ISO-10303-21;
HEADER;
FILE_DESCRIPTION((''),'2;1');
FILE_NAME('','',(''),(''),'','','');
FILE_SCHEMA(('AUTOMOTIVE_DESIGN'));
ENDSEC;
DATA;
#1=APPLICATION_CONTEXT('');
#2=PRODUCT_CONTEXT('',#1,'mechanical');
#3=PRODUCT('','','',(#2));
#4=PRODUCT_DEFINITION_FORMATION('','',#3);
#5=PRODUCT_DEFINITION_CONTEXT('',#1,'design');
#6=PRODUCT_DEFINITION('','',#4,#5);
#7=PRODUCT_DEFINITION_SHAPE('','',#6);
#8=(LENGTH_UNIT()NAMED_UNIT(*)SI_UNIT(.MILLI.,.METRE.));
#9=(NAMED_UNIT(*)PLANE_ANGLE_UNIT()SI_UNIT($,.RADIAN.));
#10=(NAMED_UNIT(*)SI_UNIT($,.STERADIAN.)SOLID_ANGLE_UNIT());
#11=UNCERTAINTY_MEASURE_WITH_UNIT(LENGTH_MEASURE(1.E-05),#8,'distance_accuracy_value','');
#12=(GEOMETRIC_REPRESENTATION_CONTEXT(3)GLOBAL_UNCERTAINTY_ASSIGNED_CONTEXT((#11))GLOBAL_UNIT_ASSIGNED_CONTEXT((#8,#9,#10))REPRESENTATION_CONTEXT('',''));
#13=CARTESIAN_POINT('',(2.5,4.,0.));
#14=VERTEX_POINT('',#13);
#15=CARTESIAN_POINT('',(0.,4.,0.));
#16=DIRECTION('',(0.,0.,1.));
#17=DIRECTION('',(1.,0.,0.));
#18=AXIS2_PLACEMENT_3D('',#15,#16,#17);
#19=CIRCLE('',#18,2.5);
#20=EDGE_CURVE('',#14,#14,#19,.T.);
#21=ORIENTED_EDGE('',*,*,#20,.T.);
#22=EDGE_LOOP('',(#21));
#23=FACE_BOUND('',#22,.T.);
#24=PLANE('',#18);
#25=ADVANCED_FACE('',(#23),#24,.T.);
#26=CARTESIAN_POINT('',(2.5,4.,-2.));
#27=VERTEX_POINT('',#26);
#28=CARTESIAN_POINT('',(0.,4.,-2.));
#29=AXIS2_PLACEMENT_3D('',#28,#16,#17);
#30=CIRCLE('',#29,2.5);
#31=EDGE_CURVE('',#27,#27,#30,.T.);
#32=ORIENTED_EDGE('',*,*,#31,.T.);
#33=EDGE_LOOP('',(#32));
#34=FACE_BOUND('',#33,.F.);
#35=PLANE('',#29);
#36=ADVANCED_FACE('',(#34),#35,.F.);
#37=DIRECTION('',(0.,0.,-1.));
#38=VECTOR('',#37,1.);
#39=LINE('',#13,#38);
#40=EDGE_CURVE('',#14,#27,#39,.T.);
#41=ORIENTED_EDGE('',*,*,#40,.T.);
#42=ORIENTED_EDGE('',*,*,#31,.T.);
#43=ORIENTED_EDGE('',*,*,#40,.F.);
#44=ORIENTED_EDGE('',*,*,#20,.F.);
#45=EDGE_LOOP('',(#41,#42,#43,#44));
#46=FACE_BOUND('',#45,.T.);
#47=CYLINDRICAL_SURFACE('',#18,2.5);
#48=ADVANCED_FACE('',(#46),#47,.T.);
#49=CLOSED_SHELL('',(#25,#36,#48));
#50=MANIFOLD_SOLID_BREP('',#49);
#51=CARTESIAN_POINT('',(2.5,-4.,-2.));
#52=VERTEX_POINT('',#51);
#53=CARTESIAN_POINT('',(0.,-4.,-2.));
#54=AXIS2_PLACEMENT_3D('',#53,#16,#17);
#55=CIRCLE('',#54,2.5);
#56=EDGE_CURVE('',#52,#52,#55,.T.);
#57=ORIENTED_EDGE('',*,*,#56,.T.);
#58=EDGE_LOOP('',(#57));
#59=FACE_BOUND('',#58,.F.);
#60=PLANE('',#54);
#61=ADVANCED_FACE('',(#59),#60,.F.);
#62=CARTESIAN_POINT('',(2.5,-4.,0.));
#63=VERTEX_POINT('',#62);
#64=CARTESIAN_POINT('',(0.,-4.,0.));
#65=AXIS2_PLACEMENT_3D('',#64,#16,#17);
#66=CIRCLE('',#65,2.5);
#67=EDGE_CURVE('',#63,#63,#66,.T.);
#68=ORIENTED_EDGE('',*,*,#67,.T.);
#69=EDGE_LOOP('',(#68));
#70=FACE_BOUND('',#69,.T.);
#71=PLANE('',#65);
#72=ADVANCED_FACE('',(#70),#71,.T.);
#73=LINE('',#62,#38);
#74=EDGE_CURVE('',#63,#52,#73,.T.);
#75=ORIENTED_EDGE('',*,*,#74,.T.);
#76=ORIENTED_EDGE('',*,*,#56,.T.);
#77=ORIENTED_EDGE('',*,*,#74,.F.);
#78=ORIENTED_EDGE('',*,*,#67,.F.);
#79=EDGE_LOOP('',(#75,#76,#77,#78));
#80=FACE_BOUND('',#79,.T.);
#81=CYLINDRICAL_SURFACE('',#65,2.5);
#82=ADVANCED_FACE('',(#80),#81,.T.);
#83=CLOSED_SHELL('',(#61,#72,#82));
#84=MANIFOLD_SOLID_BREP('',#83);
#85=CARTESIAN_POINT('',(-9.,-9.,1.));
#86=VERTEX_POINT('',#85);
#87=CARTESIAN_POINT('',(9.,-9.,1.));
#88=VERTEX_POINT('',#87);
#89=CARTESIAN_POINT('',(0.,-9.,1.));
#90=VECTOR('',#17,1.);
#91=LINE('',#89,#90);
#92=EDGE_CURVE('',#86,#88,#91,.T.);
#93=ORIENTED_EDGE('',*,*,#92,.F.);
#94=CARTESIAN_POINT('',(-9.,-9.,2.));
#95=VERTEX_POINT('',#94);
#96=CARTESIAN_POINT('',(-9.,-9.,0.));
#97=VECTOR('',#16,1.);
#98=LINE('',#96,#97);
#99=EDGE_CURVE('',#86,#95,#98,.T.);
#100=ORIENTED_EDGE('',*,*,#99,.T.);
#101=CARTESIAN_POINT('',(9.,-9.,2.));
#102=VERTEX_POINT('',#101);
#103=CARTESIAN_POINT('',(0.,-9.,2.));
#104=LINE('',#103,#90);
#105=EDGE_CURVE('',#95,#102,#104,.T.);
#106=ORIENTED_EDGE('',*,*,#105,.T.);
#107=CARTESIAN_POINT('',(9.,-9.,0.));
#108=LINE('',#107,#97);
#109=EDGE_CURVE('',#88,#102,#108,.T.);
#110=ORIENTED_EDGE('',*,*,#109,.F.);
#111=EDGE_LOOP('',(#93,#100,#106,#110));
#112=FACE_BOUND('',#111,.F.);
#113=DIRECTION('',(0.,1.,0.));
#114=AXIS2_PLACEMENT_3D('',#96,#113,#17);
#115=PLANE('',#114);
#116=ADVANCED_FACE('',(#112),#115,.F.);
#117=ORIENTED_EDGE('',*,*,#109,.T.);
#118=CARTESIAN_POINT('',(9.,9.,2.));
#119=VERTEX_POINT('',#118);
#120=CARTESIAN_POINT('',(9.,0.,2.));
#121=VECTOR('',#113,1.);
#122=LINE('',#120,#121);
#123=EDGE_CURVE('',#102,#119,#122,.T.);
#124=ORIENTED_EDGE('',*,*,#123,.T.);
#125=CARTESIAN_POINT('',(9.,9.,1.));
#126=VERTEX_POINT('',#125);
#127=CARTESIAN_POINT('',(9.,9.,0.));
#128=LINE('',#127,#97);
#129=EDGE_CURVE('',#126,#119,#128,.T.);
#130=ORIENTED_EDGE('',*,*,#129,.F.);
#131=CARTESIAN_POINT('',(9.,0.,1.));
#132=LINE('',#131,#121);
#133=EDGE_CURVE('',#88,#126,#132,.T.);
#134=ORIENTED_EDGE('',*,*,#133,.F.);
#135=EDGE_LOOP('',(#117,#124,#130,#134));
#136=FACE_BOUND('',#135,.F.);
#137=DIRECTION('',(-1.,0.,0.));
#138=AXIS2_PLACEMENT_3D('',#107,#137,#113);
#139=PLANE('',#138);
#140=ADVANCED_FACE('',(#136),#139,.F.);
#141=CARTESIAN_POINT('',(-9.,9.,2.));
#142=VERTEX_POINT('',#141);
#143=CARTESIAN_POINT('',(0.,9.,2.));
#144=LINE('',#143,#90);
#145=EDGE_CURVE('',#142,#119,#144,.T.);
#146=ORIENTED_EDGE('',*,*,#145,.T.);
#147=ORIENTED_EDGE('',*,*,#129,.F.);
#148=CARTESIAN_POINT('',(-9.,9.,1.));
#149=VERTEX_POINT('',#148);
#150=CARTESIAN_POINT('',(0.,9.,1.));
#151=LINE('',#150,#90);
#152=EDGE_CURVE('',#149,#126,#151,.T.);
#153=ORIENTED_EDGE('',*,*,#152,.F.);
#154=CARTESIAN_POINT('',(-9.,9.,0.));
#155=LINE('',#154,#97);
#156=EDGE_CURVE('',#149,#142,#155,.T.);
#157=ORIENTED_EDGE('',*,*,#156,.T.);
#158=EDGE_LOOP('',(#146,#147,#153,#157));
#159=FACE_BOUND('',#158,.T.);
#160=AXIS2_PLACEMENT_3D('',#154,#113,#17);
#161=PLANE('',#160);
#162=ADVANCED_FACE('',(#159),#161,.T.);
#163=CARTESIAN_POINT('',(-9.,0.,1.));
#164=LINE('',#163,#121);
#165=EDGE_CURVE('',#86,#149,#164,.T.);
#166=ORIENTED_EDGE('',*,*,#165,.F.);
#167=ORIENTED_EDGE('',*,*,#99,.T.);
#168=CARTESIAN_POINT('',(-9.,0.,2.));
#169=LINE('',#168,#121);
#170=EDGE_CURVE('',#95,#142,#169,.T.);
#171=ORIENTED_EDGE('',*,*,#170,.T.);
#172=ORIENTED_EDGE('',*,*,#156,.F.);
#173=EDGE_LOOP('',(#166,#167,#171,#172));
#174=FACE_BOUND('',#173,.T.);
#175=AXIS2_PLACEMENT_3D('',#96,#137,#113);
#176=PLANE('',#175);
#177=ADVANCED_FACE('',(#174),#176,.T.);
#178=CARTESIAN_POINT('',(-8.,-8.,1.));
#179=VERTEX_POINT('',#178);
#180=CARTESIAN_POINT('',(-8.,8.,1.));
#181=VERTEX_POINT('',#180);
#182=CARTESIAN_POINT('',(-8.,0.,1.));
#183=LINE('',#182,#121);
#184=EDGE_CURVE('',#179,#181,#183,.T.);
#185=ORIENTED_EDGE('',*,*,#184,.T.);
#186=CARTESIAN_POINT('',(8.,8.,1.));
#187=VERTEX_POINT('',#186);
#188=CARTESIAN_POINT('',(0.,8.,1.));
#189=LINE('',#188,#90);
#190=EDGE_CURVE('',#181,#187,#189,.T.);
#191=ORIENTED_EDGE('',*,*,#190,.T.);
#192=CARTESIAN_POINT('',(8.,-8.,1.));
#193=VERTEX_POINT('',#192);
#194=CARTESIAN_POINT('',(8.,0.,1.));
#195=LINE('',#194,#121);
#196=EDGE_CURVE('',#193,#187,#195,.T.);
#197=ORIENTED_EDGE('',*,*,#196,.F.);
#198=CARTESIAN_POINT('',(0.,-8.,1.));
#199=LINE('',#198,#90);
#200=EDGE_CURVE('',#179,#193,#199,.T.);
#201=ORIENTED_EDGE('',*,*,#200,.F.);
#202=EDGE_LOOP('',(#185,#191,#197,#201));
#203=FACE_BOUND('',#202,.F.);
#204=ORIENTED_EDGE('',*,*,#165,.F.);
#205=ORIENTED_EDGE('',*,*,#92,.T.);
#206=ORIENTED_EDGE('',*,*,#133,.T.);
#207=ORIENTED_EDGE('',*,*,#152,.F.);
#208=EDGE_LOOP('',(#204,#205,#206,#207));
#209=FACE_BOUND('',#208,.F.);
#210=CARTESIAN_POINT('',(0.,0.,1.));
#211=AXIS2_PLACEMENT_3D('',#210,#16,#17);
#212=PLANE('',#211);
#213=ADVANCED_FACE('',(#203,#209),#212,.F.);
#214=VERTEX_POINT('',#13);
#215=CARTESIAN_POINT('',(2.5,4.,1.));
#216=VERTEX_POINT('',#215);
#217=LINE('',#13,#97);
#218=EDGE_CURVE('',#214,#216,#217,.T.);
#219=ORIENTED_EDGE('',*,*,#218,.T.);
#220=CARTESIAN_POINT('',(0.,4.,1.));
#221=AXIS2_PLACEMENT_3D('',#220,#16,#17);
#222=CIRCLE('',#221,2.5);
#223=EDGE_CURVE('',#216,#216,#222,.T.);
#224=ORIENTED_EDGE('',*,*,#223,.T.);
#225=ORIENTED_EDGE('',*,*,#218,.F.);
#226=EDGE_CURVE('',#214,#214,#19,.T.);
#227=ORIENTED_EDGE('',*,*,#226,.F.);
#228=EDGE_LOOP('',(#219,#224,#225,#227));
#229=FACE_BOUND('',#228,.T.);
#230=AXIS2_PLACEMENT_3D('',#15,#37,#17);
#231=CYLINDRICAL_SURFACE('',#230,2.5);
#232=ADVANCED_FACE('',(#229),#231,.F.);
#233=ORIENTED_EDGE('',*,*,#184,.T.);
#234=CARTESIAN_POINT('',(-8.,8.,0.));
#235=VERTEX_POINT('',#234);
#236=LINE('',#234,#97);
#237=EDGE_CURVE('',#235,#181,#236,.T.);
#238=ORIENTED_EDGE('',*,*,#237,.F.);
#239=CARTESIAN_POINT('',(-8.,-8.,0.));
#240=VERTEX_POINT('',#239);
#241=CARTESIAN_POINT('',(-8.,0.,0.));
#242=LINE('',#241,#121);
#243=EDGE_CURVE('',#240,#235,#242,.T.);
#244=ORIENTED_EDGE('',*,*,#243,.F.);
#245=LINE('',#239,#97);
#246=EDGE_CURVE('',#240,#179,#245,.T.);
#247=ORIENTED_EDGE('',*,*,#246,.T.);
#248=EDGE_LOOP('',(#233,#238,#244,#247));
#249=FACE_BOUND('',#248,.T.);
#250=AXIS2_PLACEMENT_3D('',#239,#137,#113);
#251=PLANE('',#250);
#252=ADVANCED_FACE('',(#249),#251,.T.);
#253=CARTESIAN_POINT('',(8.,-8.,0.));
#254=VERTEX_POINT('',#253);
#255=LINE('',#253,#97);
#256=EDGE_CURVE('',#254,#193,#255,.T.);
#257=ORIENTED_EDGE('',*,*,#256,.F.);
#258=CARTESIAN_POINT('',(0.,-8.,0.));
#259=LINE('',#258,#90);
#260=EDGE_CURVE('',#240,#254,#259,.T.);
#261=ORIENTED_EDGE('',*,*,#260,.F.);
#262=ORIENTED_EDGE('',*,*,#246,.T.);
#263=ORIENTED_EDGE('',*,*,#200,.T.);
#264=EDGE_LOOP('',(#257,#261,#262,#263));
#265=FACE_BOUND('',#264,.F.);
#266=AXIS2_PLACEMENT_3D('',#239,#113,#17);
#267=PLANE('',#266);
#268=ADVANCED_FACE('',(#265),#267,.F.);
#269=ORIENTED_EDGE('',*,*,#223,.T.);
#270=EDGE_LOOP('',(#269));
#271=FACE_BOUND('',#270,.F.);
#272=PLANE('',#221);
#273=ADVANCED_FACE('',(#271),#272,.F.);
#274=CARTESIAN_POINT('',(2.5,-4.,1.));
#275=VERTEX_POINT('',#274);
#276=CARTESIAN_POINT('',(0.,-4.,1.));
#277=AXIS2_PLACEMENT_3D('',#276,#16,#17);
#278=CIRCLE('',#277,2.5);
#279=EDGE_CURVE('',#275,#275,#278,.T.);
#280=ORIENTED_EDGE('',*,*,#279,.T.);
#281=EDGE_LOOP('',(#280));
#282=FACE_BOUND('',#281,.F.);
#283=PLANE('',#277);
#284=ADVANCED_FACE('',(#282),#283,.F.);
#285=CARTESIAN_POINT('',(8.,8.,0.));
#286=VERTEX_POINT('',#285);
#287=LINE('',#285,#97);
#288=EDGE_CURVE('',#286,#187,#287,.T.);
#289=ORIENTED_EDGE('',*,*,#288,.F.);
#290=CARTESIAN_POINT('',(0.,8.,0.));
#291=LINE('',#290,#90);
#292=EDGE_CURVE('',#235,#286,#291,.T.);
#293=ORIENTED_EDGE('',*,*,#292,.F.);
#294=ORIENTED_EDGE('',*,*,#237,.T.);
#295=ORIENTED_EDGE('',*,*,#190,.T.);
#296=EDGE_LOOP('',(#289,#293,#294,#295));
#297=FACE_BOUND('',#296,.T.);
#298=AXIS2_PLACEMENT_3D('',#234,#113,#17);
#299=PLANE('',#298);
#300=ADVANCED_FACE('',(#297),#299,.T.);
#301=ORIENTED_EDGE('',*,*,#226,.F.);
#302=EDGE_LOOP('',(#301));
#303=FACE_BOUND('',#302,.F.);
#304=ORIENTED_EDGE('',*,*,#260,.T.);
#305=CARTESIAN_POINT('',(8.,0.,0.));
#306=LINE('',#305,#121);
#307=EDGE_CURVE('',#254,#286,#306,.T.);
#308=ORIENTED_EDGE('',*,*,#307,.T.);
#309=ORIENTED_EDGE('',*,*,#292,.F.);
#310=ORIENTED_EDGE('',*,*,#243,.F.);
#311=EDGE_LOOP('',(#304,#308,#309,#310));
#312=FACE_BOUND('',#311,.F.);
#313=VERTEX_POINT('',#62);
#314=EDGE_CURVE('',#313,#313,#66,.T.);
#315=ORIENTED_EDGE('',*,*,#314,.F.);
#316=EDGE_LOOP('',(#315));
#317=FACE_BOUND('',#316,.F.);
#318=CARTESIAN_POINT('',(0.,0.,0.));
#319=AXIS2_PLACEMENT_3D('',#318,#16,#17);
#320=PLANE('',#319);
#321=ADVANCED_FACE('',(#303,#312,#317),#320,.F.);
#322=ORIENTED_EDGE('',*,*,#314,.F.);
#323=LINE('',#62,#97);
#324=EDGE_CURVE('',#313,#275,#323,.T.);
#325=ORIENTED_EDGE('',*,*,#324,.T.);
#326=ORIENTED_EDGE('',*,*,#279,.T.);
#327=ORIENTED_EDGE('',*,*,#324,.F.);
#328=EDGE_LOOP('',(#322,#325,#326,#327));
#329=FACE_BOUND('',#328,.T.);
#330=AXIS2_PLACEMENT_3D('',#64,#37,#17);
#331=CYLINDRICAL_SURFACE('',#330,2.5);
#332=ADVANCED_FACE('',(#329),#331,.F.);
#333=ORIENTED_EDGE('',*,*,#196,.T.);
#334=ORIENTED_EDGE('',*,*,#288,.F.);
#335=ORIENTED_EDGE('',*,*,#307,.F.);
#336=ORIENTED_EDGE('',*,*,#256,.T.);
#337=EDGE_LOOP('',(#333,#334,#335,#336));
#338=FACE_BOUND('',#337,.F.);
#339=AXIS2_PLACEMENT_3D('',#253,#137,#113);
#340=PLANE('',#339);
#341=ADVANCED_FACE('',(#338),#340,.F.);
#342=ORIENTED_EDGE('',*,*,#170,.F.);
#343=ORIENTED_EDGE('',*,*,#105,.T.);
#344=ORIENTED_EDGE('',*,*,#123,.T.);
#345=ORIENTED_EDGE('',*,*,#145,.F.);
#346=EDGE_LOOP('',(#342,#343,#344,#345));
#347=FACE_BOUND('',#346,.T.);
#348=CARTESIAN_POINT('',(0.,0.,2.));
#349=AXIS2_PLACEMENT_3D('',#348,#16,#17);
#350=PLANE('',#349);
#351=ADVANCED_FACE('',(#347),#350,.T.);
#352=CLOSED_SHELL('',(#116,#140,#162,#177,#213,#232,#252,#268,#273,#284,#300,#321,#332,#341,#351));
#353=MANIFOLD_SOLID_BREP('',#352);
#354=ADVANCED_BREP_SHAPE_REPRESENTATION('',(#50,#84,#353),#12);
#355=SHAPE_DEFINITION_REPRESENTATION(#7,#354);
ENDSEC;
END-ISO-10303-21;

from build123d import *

# Parameters (mm, degrees)
F0_W     = 18
F0_H     = 18
F0_W_2   = 16
F0_H_2   = 16
F0_R     = 2.5
F1_DEPTH = 2
F2_DEPTH = 1
F3_DEPTH = 1
F4_DEPTH = 2


with BuildPart() as f1:
    # F0 (on Top) → F1 (new body)
    with BuildSketch(Plane.XY):
        Rectangle(F0_W, F0_H)
        Rectangle(F0_W_2, F0_H_2, mode=Mode.SUBTRACT)
        Rectangle(F0_W_2, F0_H_2)
        with Locations((0, -4)):
            Circle(F0_R, mode=Mode.SUBTRACT)
        with Locations((0, 4)):
            Circle(F0_R, mode=Mode.SUBTRACT)
        with Locations((0, 4)):
            Circle(F0_R)
        with Locations((0, -4)):
            Circle(F0_R)
    extrude(amount=F1_DEPTH)

    # F0 (on Top) → F2 (cut)
    with BuildSketch(Plane.XY):
        Rectangle(F0_W, F0_H)
        Rectangle(F0_W_2, F0_H_2, mode=Mode.SUBTRACT)
    extrude(amount=F2_DEPTH, mode=Mode.SUBTRACT)

    # F0 (on Top) → F3 (cut)
    with BuildSketch(Plane.XY):
        with Locations((0, -4)):
            Circle(F0_R)
        with Locations((0, 4)):
            Circle(F0_R)
    extrude(amount=F3_DEPTH, mode=Mode.SUBTRACT)


with BuildPart() as f4:
    # F0 (on Top) → F4 (new body)
    with BuildSketch(Plane.XY):
        with Locations((0, -4)):
            Circle(F0_R)
    extrude(amount=-F4_DEPTH)


with BuildPart() as f4b:
    # F0 (on Top) → F4, piece 2 (new body)
    with BuildSketch(Plane.XY):
        with Locations((0, 4)):
            Circle(F0_R)
    extrude(amount=-F4_DEPTH)


solid = Compound([f1.part, f4.part, f4b.part])
